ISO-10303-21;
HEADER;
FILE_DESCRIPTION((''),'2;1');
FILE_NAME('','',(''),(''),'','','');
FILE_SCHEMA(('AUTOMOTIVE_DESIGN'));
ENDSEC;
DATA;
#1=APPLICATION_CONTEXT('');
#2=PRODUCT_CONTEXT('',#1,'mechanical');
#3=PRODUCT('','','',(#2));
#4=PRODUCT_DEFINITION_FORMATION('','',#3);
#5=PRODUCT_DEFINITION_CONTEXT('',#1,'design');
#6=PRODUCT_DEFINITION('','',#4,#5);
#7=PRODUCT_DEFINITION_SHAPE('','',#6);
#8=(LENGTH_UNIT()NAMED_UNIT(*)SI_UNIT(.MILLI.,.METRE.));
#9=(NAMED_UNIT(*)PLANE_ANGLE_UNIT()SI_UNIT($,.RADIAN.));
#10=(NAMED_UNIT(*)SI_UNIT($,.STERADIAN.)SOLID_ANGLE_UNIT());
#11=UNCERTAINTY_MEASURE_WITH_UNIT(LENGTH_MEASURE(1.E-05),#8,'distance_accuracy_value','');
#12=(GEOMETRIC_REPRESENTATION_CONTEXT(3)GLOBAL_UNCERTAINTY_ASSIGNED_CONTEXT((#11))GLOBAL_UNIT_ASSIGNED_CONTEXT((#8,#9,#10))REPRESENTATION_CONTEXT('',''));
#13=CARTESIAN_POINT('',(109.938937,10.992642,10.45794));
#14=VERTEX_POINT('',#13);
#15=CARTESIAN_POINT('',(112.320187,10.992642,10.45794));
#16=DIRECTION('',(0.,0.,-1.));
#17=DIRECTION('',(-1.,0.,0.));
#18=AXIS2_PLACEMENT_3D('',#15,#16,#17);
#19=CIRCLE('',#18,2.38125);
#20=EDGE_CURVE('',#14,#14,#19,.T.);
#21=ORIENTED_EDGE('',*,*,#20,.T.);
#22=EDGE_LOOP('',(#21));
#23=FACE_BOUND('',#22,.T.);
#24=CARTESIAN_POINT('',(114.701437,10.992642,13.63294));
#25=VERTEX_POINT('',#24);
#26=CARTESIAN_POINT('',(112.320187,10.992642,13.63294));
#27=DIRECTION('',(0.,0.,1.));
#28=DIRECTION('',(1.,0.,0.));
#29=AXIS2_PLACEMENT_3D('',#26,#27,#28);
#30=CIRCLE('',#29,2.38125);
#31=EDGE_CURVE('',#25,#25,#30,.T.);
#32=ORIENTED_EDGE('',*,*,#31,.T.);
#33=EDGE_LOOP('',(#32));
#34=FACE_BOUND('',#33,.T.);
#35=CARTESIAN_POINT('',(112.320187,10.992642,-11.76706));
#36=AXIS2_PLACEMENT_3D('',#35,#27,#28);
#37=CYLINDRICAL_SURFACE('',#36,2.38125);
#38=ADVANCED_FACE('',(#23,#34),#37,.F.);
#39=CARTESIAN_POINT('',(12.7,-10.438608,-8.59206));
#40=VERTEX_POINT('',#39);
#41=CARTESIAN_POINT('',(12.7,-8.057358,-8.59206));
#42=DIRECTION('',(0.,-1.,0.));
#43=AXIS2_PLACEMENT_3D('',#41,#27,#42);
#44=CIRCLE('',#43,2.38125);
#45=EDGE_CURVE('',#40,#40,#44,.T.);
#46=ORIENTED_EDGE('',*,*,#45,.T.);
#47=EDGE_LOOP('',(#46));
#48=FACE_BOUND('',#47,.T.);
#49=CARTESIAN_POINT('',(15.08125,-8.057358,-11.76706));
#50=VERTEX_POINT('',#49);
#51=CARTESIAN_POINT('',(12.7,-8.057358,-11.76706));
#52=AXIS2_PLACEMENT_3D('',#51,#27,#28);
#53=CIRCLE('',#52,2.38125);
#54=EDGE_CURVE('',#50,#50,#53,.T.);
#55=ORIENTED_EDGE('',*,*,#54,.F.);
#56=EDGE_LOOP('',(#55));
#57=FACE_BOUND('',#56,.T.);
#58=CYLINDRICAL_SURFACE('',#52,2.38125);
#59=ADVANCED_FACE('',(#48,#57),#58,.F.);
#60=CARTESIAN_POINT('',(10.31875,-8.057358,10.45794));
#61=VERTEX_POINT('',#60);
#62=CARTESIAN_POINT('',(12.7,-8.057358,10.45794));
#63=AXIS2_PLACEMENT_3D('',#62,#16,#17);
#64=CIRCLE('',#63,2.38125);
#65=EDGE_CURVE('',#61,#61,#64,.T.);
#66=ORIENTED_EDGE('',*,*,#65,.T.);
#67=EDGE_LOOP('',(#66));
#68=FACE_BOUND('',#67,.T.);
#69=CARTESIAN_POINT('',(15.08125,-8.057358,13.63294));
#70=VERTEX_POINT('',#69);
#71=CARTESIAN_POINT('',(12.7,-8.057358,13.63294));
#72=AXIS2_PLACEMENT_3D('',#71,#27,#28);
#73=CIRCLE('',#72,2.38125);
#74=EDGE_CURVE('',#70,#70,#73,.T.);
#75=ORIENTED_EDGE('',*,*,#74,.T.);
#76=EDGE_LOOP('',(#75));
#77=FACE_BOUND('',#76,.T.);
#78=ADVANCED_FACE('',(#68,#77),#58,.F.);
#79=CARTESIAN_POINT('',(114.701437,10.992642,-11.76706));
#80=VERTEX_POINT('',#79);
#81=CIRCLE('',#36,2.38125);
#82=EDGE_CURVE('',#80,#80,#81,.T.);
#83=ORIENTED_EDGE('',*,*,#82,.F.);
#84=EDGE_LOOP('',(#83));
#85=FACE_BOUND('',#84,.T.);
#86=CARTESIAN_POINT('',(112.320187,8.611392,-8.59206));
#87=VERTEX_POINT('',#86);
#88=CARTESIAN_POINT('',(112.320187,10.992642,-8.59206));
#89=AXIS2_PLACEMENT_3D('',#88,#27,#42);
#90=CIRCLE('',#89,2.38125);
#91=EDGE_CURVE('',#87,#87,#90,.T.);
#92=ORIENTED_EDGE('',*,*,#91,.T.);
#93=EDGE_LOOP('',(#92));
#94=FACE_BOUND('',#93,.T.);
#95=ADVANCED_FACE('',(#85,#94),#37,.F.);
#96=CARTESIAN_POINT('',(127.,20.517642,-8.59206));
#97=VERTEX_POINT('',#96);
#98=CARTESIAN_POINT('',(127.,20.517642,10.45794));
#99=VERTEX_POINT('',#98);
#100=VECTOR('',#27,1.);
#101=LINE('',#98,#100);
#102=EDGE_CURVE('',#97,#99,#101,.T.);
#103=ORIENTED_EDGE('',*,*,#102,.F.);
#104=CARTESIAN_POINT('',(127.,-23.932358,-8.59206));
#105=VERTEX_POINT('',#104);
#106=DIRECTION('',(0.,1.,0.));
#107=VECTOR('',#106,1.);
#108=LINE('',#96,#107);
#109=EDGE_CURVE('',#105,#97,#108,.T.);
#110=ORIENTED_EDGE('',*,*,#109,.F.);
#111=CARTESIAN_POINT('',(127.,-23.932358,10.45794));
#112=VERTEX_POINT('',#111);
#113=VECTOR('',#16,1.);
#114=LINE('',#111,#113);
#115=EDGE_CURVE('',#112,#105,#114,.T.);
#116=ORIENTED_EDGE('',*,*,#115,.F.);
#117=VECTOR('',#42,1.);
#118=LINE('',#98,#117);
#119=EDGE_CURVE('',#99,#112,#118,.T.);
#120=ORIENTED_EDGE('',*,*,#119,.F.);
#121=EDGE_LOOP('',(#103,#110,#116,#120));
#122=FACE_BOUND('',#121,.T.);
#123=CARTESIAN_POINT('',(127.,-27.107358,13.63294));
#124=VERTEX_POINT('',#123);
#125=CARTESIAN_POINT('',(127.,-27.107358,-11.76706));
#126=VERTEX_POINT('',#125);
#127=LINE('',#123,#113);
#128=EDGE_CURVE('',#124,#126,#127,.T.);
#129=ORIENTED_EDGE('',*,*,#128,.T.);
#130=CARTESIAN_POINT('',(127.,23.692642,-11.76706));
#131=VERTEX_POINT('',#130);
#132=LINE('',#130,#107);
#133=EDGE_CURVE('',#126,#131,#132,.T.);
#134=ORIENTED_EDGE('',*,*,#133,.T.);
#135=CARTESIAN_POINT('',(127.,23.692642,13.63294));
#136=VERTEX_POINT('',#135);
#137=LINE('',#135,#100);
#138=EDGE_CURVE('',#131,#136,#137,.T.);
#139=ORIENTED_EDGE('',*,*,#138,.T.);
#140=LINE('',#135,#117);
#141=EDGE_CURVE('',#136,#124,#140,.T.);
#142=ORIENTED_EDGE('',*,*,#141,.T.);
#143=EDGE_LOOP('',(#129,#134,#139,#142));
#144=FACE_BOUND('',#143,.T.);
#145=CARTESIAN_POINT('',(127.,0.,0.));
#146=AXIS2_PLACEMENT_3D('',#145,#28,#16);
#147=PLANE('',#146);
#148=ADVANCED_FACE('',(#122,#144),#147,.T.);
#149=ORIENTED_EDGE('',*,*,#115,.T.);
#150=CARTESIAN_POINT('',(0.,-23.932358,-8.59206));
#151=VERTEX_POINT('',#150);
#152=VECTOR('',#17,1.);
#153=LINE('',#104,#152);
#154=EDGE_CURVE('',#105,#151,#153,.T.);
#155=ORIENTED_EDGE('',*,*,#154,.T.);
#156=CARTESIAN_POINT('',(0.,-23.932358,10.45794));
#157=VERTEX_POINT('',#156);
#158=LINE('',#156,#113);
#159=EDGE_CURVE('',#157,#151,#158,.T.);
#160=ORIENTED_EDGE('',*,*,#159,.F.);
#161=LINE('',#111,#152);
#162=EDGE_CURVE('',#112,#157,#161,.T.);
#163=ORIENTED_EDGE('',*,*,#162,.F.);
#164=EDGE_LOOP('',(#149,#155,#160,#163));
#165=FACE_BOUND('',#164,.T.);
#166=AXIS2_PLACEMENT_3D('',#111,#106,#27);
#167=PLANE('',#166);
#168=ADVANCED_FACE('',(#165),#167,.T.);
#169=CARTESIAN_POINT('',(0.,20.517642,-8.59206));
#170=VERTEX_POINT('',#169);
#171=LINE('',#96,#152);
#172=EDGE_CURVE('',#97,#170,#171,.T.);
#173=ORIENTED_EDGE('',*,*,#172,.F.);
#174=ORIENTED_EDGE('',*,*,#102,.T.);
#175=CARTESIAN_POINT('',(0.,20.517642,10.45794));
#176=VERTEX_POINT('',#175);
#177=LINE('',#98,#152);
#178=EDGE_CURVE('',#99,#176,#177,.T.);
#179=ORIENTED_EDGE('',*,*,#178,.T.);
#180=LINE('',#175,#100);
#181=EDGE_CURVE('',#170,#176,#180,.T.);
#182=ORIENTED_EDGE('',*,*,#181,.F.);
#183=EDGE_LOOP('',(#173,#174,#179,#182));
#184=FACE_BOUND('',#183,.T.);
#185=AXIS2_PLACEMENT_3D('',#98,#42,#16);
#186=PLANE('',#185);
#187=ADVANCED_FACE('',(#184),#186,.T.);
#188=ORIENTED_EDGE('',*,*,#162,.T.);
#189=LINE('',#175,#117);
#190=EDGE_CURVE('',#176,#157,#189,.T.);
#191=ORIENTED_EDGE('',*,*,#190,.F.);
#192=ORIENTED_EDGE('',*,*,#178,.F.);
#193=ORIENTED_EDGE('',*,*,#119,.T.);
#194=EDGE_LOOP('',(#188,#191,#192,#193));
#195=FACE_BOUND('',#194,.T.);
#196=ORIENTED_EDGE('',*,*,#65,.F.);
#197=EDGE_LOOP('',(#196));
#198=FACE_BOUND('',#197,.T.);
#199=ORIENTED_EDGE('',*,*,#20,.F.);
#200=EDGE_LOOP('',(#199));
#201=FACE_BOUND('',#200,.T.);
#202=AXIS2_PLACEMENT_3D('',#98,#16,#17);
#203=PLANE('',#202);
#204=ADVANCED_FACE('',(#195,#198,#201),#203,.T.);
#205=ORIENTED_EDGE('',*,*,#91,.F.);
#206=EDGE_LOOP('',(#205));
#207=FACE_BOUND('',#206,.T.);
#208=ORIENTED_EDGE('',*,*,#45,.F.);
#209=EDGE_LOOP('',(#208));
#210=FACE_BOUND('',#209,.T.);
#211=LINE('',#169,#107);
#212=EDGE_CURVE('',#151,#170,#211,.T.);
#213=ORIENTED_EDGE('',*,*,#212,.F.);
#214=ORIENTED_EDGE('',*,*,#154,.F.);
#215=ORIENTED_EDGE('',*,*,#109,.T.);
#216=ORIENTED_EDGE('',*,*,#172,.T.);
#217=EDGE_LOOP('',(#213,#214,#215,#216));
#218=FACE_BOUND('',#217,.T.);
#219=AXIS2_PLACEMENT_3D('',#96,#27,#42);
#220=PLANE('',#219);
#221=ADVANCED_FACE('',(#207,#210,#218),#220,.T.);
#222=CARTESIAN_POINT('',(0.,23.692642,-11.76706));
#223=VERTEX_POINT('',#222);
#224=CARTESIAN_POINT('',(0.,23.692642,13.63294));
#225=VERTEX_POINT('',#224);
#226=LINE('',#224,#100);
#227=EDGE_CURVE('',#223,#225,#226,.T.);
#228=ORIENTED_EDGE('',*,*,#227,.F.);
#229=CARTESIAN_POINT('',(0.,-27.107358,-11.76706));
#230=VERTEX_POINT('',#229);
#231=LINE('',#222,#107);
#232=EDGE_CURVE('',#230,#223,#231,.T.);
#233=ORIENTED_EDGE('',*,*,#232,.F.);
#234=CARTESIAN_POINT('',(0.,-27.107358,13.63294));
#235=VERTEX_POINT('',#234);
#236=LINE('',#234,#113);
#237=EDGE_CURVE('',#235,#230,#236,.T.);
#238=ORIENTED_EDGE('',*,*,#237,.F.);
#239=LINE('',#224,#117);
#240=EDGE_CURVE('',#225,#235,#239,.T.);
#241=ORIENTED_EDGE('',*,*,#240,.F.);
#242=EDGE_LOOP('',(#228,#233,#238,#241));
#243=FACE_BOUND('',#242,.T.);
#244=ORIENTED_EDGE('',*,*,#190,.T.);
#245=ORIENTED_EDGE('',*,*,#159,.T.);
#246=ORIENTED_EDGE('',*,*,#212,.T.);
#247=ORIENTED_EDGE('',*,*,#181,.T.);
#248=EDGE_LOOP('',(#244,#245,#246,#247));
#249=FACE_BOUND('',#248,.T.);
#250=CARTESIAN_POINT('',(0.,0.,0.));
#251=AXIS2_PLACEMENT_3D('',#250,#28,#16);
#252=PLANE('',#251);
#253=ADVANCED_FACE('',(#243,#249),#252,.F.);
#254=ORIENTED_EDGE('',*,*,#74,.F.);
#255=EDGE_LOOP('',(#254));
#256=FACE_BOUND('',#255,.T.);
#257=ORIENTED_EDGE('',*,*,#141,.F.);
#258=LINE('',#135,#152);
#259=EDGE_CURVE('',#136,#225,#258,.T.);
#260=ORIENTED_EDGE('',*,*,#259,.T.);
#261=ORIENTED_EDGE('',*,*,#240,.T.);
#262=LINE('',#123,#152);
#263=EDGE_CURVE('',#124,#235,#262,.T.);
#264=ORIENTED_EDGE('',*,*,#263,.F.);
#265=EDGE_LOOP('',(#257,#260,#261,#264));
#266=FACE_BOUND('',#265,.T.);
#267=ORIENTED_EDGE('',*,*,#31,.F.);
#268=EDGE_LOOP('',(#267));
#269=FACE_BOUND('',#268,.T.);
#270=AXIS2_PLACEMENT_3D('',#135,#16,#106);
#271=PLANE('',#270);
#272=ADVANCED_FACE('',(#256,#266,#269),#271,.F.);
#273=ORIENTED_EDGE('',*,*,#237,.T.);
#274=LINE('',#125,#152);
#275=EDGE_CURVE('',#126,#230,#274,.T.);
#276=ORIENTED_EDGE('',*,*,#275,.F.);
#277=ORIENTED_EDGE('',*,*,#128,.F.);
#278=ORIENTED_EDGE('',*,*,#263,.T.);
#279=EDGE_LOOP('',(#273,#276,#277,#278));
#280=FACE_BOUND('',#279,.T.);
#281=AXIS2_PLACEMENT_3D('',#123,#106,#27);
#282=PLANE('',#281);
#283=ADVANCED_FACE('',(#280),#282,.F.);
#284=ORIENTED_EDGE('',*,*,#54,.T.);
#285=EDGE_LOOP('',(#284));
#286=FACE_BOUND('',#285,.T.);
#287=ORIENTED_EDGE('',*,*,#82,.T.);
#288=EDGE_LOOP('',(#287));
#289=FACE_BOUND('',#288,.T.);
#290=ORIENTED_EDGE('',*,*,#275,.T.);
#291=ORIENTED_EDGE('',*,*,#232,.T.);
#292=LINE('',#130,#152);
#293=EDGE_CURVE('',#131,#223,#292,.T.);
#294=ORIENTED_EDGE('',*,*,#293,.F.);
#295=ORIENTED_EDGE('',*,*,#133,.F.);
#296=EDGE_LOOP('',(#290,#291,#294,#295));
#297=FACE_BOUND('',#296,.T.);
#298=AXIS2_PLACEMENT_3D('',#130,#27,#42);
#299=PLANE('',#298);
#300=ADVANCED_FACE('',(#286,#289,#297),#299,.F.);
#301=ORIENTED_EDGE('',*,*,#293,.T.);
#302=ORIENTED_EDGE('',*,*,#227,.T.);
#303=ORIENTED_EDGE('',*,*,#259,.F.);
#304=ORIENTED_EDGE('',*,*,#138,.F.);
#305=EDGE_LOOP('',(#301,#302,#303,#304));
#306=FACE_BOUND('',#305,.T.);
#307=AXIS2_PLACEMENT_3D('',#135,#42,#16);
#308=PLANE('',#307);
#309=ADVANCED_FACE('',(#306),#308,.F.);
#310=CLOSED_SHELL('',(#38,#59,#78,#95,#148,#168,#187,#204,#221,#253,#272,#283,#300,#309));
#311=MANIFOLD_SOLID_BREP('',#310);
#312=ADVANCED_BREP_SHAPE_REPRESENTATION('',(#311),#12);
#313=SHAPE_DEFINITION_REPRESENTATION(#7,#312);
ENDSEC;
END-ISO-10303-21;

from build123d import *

# Parameters (mm, degrees)
SKETCH2_W           = 25.4
SKETCH2_H           = 50.8
SKETCH2_W_2         = 19.05
SKETCH2_H_2         = 44.45
BOSS_EXTRUDE1_DEPTH = 127
SKETCH4_R           = 2.38125
CUT_EXTRUDE2_DEPTH  = 25.4


with BuildPart() as part:
    # Sketch2 → Boss-Extrude1 (new body)
    with BuildSketch(Plane(origin=(0, 0, 0), x_dir=(0, 0, -1), z_dir=(1, 0, 0))):
        with Locations((-0.932940239, -1.707357918)):
            Rectangle(SKETCH2_W, SKETCH2_H)
        with Locations((-0.932940239, -1.707357918)):
            Rectangle(SKETCH2_W_2, SKETCH2_H_2, mode=Mode.SUBTRACT)
    extrude(amount=BOSS_EXTRUDE1_DEPTH)

    # Sketch4 → Cut-Extrude2 (cut)
    with BuildSketch(Plane.XY.offset(13.632940239)):
        with Locations((12.7, -8.057357918)):
            Circle(SKETCH4_R)
        with Locations((112.320186583, 10.992642082)):
            Circle(SKETCH4_R)
    extrude(amount=-CUT_EXTRUDE2_DEPTH, mode=Mode.SUBTRACT)


solid = part.part
